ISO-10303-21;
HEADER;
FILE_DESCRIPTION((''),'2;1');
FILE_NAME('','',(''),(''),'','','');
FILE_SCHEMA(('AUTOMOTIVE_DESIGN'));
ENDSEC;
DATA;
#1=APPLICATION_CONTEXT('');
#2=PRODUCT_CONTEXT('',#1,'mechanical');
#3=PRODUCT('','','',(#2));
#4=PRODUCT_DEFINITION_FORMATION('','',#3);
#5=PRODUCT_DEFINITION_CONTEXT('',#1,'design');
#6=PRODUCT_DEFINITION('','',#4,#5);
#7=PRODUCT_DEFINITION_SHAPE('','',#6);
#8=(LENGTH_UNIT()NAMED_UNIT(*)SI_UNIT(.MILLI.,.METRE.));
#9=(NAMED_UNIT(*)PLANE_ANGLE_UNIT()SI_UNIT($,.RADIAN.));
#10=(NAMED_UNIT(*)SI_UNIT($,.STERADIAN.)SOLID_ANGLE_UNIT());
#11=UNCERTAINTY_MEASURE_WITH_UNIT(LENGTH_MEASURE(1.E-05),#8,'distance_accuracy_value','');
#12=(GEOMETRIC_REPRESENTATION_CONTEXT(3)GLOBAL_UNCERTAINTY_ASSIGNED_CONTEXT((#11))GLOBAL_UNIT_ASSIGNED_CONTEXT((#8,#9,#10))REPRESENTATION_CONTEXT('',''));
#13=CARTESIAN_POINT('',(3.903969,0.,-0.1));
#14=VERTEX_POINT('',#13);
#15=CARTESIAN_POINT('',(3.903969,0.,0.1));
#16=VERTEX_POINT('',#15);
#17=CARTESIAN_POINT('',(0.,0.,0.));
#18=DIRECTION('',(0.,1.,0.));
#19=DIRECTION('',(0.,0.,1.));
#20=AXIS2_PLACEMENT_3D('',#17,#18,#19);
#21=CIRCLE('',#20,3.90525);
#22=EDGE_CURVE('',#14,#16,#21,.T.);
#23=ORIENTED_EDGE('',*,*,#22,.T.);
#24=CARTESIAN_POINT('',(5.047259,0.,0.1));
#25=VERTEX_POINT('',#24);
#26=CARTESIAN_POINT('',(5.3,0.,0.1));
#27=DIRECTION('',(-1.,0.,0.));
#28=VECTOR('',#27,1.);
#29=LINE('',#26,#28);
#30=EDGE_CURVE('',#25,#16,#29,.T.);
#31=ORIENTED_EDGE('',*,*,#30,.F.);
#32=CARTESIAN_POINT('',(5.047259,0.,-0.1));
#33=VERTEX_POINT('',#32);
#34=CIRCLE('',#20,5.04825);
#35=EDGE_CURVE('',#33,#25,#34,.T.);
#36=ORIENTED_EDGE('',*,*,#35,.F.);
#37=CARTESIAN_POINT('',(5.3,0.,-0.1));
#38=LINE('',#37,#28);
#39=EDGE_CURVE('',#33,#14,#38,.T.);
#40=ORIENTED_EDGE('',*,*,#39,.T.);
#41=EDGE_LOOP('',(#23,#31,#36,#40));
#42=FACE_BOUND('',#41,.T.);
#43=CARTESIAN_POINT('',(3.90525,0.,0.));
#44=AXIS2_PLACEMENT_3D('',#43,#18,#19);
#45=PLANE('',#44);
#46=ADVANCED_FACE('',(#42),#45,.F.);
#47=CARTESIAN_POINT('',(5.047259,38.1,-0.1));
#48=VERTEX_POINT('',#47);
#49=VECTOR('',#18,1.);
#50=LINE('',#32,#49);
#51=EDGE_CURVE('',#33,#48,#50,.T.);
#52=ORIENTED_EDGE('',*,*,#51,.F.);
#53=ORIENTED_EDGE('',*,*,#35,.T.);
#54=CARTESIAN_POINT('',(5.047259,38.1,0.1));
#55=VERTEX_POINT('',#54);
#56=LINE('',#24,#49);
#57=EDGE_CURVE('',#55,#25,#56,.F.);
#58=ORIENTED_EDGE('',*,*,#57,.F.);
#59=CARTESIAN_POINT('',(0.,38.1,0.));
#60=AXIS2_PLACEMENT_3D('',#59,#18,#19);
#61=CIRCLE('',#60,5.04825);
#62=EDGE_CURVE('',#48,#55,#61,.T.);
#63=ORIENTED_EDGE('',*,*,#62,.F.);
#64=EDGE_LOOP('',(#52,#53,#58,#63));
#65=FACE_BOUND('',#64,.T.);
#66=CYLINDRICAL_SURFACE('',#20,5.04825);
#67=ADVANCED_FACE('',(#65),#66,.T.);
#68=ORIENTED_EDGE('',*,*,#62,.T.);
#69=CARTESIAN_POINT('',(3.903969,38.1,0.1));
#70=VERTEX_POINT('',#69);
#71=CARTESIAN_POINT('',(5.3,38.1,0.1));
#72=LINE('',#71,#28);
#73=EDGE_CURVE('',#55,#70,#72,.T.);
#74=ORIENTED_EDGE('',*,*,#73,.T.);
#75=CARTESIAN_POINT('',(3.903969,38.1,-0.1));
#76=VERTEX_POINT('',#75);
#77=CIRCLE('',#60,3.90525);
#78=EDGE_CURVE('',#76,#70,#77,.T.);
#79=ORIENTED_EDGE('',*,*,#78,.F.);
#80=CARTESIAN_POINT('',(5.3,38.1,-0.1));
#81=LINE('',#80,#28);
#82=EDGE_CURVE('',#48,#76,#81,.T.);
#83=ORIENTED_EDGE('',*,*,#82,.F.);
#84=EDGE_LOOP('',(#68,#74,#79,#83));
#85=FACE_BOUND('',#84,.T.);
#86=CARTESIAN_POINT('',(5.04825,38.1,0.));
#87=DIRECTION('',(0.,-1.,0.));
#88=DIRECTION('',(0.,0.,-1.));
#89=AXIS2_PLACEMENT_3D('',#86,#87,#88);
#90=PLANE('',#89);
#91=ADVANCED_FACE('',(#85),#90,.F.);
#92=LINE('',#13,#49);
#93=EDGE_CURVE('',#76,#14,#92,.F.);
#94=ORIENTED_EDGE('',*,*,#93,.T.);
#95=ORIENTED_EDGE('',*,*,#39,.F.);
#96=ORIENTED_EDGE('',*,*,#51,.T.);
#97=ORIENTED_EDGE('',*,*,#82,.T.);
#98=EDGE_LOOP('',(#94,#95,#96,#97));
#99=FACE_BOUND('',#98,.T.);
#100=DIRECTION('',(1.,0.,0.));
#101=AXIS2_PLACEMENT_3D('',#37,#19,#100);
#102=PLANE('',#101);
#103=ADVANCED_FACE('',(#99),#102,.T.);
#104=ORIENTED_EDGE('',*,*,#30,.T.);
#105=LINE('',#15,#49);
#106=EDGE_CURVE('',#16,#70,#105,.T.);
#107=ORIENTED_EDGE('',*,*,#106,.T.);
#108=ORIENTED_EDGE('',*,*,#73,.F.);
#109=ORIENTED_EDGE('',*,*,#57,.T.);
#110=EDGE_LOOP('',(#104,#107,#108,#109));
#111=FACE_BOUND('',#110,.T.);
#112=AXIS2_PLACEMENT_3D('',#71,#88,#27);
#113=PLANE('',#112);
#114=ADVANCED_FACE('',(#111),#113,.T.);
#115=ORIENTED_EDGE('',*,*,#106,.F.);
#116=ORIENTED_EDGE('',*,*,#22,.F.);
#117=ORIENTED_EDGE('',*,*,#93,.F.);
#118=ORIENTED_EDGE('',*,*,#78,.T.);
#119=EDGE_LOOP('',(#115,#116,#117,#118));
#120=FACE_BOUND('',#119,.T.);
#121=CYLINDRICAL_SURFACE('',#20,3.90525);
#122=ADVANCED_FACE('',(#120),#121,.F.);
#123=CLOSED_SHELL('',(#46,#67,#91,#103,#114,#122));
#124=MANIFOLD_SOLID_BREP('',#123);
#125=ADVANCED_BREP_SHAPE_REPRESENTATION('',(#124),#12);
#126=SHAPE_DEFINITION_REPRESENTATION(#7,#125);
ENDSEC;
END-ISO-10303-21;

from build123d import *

# Parameters (mm, degrees)
SKETCH1_W          = 1.143
SKETCH1_H          = 38.1
SKETCH2_W          = 0.2
SKETCH2_H          = 38.1
CUT_EXTRUDE1_DEPTH = 5.3


with BuildPart() as part:
    # Sketch1 → Revolve1 (revolve)
    with BuildSketch(Plane.XY, mode=Mode.PRIVATE) as revolve1_sk:
        with Locations((4.47675, 19.05)):
            Rectangle(SKETCH1_W, SKETCH1_H)
    revolve(revolve1_sk.sketch.rotate(Axis((0, 0, 0), (0, 1, 0)), 270), axis=Axis((0, 0, 0), (0, 1, 0)))

    # Sketch2 → Cut-Extrude1 (cut)
    with BuildSketch(Plane(origin=(0, 0, 0), x_dir=(0, 0, -1), z_dir=(1, 0, 0))):
        with Locations((0, 19.05)):
            Rectangle(SKETCH2_W, SKETCH2_H)
    extrude(amount=CUT_EXTRUDE1_DEPTH, mode=Mode.SUBTRACT)


solid = part.part
